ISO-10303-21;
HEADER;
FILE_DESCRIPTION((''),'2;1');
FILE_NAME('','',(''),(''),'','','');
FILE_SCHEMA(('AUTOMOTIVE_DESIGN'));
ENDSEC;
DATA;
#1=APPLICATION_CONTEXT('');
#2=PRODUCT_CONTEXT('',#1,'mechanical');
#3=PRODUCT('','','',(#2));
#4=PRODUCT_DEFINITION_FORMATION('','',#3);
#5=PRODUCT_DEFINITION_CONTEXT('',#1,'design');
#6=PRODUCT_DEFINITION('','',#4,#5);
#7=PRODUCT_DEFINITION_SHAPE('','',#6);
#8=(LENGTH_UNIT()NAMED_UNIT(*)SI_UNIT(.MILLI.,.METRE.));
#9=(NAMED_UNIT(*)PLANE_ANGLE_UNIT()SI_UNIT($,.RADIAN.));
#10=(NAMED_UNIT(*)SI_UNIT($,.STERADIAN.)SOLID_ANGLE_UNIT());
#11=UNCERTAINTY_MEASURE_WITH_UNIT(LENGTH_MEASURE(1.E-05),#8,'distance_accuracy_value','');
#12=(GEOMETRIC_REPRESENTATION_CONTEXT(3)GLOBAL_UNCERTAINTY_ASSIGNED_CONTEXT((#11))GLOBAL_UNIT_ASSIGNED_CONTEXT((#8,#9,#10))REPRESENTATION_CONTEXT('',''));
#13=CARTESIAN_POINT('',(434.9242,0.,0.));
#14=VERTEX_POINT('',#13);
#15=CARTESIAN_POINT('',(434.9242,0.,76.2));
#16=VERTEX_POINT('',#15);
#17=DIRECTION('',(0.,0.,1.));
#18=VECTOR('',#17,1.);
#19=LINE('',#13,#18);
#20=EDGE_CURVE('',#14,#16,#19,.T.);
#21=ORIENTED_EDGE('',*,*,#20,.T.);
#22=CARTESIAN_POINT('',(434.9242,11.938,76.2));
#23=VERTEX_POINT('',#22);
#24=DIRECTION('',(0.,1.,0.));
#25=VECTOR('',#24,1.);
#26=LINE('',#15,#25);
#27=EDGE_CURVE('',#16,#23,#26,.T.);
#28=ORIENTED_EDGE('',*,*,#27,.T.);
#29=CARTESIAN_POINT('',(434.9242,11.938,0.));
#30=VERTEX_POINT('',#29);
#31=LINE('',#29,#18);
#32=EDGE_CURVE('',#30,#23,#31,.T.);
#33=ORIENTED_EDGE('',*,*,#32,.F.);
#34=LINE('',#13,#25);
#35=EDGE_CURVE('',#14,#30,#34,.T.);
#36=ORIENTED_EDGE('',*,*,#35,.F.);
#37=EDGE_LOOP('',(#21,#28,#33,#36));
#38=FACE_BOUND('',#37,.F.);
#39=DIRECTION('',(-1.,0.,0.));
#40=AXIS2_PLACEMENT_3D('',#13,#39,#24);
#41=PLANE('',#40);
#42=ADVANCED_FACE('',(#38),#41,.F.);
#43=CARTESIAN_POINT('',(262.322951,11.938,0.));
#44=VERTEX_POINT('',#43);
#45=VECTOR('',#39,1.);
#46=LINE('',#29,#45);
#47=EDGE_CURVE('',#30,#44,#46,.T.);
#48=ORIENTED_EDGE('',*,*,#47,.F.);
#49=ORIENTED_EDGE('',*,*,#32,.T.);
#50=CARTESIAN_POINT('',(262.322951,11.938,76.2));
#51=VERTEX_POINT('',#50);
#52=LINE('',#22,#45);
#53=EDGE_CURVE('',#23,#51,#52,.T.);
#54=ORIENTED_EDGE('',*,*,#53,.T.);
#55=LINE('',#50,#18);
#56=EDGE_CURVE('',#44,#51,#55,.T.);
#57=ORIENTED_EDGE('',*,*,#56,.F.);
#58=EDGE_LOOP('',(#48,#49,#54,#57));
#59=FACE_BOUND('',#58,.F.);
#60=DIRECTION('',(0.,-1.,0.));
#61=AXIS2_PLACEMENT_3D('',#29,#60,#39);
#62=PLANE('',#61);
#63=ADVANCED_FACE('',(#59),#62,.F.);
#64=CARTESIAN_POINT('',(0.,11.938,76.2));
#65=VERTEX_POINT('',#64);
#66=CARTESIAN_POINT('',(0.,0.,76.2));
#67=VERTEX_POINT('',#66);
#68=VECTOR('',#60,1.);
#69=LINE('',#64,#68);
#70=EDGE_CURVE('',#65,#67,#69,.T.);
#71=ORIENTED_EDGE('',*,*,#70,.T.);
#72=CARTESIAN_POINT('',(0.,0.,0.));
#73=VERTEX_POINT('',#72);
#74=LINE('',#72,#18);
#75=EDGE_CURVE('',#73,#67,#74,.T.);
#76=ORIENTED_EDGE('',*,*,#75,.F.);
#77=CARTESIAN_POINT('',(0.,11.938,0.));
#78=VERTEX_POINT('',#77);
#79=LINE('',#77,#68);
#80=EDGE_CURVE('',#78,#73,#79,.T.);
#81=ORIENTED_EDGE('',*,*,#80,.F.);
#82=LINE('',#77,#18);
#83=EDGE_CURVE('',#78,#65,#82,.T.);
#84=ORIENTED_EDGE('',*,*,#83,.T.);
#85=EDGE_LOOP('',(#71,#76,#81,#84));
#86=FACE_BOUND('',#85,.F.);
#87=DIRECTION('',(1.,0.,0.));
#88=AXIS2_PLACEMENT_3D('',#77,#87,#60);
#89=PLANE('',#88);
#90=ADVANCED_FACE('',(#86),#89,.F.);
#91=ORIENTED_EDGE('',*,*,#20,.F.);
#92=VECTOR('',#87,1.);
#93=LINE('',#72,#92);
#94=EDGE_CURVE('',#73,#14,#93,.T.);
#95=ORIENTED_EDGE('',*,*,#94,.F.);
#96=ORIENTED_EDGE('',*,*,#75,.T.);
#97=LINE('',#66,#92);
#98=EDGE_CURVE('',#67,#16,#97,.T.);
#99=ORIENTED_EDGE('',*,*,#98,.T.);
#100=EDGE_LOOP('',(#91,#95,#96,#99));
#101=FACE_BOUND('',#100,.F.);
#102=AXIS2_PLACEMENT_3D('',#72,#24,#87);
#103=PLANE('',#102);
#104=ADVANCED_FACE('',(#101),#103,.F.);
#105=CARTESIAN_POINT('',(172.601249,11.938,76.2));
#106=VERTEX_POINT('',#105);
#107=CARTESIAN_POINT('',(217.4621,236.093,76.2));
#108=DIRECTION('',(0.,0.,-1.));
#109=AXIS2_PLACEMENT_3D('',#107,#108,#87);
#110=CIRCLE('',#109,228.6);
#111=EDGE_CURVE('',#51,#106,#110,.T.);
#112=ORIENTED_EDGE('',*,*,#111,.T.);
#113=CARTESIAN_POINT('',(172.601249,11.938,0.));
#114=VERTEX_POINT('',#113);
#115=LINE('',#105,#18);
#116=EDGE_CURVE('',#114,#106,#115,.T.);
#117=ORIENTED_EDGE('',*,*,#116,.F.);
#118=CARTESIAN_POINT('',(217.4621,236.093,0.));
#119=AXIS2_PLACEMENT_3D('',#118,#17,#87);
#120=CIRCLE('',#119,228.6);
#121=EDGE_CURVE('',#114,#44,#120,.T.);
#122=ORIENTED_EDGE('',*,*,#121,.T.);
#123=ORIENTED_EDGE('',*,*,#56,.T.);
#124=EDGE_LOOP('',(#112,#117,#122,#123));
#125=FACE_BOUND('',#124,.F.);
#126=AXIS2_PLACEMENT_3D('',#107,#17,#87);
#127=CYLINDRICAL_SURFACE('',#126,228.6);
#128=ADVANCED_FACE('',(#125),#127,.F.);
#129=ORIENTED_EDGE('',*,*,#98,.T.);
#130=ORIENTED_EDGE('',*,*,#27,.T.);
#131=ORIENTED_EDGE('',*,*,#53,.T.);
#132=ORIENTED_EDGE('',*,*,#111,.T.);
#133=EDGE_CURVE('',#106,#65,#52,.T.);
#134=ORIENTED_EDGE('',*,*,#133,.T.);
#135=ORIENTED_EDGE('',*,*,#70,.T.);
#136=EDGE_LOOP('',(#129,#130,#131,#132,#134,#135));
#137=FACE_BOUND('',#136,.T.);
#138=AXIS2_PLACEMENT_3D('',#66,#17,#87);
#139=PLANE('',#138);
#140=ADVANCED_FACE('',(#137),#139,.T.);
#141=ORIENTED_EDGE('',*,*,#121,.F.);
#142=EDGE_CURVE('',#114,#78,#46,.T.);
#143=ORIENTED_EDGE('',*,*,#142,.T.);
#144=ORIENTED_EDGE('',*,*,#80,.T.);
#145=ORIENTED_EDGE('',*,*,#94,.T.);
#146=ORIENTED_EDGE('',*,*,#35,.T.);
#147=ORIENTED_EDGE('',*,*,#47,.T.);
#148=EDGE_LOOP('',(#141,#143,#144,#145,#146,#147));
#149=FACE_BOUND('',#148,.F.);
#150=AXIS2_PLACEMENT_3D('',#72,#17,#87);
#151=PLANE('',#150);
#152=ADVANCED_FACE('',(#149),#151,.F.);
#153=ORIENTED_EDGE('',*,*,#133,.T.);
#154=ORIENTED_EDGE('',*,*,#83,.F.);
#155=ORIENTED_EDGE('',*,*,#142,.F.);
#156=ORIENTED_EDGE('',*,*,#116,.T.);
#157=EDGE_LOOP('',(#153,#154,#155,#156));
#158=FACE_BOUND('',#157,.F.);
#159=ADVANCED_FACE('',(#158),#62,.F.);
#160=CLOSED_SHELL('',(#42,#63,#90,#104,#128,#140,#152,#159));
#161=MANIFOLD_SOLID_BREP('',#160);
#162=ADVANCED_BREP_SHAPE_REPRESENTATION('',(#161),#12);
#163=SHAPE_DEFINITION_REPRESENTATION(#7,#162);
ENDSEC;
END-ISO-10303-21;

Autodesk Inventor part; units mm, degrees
ref_plane "YZ Plane" through (0, 0, 0) normal (1, 0, 0) x (0, 1, 0)
ref_plane "XZ Plane" through (0, 0, 0) normal (0, 1, 0) x (-1, 0, 0)
ref_plane "XY Plane" through (0, 0, 0) normal (0, 0, 1) x (1, 0, 0)
sketch "Sketch1" plane through (0, 0, 0) normal (0, 0, 1) x (1, 0, 0)
  line L0 (0, 0) -> (434.9242, 0)
  line L1 (434.9242, 0) -> (434.9242, 11.938)
  line L2 (434.9242, 11.938) -> (0, 11.938)
  line L3 (0, 11.938) -> (0, 0)
  dimension "d0" = 434.9242
  dimension "d1" = 11.938
extrude "Extrusion1" add sketch "Sketch1" along normal blind 76.2
sketch "Sketch2" plane through (0, 0, 76.2) normal (0, 0, 1) x (1, 0, 0)
  circle A0 centre (217.4621, 236.093) radius 228.6
  line L0 (434.9242, 11.938) -> (0, 11.938) projected
  line L1 (0, 11.938) -> (0, 0) projected
  dimension "d4" = 457.2
  dimension "d5" = 224.155
  dimension "d6" = 217.4621
extrude "Extrusion2" cut sketch "Sketch2" against normal through all
properties part number "Exhaust Frame Side as built" material "Wood (Oak)"
